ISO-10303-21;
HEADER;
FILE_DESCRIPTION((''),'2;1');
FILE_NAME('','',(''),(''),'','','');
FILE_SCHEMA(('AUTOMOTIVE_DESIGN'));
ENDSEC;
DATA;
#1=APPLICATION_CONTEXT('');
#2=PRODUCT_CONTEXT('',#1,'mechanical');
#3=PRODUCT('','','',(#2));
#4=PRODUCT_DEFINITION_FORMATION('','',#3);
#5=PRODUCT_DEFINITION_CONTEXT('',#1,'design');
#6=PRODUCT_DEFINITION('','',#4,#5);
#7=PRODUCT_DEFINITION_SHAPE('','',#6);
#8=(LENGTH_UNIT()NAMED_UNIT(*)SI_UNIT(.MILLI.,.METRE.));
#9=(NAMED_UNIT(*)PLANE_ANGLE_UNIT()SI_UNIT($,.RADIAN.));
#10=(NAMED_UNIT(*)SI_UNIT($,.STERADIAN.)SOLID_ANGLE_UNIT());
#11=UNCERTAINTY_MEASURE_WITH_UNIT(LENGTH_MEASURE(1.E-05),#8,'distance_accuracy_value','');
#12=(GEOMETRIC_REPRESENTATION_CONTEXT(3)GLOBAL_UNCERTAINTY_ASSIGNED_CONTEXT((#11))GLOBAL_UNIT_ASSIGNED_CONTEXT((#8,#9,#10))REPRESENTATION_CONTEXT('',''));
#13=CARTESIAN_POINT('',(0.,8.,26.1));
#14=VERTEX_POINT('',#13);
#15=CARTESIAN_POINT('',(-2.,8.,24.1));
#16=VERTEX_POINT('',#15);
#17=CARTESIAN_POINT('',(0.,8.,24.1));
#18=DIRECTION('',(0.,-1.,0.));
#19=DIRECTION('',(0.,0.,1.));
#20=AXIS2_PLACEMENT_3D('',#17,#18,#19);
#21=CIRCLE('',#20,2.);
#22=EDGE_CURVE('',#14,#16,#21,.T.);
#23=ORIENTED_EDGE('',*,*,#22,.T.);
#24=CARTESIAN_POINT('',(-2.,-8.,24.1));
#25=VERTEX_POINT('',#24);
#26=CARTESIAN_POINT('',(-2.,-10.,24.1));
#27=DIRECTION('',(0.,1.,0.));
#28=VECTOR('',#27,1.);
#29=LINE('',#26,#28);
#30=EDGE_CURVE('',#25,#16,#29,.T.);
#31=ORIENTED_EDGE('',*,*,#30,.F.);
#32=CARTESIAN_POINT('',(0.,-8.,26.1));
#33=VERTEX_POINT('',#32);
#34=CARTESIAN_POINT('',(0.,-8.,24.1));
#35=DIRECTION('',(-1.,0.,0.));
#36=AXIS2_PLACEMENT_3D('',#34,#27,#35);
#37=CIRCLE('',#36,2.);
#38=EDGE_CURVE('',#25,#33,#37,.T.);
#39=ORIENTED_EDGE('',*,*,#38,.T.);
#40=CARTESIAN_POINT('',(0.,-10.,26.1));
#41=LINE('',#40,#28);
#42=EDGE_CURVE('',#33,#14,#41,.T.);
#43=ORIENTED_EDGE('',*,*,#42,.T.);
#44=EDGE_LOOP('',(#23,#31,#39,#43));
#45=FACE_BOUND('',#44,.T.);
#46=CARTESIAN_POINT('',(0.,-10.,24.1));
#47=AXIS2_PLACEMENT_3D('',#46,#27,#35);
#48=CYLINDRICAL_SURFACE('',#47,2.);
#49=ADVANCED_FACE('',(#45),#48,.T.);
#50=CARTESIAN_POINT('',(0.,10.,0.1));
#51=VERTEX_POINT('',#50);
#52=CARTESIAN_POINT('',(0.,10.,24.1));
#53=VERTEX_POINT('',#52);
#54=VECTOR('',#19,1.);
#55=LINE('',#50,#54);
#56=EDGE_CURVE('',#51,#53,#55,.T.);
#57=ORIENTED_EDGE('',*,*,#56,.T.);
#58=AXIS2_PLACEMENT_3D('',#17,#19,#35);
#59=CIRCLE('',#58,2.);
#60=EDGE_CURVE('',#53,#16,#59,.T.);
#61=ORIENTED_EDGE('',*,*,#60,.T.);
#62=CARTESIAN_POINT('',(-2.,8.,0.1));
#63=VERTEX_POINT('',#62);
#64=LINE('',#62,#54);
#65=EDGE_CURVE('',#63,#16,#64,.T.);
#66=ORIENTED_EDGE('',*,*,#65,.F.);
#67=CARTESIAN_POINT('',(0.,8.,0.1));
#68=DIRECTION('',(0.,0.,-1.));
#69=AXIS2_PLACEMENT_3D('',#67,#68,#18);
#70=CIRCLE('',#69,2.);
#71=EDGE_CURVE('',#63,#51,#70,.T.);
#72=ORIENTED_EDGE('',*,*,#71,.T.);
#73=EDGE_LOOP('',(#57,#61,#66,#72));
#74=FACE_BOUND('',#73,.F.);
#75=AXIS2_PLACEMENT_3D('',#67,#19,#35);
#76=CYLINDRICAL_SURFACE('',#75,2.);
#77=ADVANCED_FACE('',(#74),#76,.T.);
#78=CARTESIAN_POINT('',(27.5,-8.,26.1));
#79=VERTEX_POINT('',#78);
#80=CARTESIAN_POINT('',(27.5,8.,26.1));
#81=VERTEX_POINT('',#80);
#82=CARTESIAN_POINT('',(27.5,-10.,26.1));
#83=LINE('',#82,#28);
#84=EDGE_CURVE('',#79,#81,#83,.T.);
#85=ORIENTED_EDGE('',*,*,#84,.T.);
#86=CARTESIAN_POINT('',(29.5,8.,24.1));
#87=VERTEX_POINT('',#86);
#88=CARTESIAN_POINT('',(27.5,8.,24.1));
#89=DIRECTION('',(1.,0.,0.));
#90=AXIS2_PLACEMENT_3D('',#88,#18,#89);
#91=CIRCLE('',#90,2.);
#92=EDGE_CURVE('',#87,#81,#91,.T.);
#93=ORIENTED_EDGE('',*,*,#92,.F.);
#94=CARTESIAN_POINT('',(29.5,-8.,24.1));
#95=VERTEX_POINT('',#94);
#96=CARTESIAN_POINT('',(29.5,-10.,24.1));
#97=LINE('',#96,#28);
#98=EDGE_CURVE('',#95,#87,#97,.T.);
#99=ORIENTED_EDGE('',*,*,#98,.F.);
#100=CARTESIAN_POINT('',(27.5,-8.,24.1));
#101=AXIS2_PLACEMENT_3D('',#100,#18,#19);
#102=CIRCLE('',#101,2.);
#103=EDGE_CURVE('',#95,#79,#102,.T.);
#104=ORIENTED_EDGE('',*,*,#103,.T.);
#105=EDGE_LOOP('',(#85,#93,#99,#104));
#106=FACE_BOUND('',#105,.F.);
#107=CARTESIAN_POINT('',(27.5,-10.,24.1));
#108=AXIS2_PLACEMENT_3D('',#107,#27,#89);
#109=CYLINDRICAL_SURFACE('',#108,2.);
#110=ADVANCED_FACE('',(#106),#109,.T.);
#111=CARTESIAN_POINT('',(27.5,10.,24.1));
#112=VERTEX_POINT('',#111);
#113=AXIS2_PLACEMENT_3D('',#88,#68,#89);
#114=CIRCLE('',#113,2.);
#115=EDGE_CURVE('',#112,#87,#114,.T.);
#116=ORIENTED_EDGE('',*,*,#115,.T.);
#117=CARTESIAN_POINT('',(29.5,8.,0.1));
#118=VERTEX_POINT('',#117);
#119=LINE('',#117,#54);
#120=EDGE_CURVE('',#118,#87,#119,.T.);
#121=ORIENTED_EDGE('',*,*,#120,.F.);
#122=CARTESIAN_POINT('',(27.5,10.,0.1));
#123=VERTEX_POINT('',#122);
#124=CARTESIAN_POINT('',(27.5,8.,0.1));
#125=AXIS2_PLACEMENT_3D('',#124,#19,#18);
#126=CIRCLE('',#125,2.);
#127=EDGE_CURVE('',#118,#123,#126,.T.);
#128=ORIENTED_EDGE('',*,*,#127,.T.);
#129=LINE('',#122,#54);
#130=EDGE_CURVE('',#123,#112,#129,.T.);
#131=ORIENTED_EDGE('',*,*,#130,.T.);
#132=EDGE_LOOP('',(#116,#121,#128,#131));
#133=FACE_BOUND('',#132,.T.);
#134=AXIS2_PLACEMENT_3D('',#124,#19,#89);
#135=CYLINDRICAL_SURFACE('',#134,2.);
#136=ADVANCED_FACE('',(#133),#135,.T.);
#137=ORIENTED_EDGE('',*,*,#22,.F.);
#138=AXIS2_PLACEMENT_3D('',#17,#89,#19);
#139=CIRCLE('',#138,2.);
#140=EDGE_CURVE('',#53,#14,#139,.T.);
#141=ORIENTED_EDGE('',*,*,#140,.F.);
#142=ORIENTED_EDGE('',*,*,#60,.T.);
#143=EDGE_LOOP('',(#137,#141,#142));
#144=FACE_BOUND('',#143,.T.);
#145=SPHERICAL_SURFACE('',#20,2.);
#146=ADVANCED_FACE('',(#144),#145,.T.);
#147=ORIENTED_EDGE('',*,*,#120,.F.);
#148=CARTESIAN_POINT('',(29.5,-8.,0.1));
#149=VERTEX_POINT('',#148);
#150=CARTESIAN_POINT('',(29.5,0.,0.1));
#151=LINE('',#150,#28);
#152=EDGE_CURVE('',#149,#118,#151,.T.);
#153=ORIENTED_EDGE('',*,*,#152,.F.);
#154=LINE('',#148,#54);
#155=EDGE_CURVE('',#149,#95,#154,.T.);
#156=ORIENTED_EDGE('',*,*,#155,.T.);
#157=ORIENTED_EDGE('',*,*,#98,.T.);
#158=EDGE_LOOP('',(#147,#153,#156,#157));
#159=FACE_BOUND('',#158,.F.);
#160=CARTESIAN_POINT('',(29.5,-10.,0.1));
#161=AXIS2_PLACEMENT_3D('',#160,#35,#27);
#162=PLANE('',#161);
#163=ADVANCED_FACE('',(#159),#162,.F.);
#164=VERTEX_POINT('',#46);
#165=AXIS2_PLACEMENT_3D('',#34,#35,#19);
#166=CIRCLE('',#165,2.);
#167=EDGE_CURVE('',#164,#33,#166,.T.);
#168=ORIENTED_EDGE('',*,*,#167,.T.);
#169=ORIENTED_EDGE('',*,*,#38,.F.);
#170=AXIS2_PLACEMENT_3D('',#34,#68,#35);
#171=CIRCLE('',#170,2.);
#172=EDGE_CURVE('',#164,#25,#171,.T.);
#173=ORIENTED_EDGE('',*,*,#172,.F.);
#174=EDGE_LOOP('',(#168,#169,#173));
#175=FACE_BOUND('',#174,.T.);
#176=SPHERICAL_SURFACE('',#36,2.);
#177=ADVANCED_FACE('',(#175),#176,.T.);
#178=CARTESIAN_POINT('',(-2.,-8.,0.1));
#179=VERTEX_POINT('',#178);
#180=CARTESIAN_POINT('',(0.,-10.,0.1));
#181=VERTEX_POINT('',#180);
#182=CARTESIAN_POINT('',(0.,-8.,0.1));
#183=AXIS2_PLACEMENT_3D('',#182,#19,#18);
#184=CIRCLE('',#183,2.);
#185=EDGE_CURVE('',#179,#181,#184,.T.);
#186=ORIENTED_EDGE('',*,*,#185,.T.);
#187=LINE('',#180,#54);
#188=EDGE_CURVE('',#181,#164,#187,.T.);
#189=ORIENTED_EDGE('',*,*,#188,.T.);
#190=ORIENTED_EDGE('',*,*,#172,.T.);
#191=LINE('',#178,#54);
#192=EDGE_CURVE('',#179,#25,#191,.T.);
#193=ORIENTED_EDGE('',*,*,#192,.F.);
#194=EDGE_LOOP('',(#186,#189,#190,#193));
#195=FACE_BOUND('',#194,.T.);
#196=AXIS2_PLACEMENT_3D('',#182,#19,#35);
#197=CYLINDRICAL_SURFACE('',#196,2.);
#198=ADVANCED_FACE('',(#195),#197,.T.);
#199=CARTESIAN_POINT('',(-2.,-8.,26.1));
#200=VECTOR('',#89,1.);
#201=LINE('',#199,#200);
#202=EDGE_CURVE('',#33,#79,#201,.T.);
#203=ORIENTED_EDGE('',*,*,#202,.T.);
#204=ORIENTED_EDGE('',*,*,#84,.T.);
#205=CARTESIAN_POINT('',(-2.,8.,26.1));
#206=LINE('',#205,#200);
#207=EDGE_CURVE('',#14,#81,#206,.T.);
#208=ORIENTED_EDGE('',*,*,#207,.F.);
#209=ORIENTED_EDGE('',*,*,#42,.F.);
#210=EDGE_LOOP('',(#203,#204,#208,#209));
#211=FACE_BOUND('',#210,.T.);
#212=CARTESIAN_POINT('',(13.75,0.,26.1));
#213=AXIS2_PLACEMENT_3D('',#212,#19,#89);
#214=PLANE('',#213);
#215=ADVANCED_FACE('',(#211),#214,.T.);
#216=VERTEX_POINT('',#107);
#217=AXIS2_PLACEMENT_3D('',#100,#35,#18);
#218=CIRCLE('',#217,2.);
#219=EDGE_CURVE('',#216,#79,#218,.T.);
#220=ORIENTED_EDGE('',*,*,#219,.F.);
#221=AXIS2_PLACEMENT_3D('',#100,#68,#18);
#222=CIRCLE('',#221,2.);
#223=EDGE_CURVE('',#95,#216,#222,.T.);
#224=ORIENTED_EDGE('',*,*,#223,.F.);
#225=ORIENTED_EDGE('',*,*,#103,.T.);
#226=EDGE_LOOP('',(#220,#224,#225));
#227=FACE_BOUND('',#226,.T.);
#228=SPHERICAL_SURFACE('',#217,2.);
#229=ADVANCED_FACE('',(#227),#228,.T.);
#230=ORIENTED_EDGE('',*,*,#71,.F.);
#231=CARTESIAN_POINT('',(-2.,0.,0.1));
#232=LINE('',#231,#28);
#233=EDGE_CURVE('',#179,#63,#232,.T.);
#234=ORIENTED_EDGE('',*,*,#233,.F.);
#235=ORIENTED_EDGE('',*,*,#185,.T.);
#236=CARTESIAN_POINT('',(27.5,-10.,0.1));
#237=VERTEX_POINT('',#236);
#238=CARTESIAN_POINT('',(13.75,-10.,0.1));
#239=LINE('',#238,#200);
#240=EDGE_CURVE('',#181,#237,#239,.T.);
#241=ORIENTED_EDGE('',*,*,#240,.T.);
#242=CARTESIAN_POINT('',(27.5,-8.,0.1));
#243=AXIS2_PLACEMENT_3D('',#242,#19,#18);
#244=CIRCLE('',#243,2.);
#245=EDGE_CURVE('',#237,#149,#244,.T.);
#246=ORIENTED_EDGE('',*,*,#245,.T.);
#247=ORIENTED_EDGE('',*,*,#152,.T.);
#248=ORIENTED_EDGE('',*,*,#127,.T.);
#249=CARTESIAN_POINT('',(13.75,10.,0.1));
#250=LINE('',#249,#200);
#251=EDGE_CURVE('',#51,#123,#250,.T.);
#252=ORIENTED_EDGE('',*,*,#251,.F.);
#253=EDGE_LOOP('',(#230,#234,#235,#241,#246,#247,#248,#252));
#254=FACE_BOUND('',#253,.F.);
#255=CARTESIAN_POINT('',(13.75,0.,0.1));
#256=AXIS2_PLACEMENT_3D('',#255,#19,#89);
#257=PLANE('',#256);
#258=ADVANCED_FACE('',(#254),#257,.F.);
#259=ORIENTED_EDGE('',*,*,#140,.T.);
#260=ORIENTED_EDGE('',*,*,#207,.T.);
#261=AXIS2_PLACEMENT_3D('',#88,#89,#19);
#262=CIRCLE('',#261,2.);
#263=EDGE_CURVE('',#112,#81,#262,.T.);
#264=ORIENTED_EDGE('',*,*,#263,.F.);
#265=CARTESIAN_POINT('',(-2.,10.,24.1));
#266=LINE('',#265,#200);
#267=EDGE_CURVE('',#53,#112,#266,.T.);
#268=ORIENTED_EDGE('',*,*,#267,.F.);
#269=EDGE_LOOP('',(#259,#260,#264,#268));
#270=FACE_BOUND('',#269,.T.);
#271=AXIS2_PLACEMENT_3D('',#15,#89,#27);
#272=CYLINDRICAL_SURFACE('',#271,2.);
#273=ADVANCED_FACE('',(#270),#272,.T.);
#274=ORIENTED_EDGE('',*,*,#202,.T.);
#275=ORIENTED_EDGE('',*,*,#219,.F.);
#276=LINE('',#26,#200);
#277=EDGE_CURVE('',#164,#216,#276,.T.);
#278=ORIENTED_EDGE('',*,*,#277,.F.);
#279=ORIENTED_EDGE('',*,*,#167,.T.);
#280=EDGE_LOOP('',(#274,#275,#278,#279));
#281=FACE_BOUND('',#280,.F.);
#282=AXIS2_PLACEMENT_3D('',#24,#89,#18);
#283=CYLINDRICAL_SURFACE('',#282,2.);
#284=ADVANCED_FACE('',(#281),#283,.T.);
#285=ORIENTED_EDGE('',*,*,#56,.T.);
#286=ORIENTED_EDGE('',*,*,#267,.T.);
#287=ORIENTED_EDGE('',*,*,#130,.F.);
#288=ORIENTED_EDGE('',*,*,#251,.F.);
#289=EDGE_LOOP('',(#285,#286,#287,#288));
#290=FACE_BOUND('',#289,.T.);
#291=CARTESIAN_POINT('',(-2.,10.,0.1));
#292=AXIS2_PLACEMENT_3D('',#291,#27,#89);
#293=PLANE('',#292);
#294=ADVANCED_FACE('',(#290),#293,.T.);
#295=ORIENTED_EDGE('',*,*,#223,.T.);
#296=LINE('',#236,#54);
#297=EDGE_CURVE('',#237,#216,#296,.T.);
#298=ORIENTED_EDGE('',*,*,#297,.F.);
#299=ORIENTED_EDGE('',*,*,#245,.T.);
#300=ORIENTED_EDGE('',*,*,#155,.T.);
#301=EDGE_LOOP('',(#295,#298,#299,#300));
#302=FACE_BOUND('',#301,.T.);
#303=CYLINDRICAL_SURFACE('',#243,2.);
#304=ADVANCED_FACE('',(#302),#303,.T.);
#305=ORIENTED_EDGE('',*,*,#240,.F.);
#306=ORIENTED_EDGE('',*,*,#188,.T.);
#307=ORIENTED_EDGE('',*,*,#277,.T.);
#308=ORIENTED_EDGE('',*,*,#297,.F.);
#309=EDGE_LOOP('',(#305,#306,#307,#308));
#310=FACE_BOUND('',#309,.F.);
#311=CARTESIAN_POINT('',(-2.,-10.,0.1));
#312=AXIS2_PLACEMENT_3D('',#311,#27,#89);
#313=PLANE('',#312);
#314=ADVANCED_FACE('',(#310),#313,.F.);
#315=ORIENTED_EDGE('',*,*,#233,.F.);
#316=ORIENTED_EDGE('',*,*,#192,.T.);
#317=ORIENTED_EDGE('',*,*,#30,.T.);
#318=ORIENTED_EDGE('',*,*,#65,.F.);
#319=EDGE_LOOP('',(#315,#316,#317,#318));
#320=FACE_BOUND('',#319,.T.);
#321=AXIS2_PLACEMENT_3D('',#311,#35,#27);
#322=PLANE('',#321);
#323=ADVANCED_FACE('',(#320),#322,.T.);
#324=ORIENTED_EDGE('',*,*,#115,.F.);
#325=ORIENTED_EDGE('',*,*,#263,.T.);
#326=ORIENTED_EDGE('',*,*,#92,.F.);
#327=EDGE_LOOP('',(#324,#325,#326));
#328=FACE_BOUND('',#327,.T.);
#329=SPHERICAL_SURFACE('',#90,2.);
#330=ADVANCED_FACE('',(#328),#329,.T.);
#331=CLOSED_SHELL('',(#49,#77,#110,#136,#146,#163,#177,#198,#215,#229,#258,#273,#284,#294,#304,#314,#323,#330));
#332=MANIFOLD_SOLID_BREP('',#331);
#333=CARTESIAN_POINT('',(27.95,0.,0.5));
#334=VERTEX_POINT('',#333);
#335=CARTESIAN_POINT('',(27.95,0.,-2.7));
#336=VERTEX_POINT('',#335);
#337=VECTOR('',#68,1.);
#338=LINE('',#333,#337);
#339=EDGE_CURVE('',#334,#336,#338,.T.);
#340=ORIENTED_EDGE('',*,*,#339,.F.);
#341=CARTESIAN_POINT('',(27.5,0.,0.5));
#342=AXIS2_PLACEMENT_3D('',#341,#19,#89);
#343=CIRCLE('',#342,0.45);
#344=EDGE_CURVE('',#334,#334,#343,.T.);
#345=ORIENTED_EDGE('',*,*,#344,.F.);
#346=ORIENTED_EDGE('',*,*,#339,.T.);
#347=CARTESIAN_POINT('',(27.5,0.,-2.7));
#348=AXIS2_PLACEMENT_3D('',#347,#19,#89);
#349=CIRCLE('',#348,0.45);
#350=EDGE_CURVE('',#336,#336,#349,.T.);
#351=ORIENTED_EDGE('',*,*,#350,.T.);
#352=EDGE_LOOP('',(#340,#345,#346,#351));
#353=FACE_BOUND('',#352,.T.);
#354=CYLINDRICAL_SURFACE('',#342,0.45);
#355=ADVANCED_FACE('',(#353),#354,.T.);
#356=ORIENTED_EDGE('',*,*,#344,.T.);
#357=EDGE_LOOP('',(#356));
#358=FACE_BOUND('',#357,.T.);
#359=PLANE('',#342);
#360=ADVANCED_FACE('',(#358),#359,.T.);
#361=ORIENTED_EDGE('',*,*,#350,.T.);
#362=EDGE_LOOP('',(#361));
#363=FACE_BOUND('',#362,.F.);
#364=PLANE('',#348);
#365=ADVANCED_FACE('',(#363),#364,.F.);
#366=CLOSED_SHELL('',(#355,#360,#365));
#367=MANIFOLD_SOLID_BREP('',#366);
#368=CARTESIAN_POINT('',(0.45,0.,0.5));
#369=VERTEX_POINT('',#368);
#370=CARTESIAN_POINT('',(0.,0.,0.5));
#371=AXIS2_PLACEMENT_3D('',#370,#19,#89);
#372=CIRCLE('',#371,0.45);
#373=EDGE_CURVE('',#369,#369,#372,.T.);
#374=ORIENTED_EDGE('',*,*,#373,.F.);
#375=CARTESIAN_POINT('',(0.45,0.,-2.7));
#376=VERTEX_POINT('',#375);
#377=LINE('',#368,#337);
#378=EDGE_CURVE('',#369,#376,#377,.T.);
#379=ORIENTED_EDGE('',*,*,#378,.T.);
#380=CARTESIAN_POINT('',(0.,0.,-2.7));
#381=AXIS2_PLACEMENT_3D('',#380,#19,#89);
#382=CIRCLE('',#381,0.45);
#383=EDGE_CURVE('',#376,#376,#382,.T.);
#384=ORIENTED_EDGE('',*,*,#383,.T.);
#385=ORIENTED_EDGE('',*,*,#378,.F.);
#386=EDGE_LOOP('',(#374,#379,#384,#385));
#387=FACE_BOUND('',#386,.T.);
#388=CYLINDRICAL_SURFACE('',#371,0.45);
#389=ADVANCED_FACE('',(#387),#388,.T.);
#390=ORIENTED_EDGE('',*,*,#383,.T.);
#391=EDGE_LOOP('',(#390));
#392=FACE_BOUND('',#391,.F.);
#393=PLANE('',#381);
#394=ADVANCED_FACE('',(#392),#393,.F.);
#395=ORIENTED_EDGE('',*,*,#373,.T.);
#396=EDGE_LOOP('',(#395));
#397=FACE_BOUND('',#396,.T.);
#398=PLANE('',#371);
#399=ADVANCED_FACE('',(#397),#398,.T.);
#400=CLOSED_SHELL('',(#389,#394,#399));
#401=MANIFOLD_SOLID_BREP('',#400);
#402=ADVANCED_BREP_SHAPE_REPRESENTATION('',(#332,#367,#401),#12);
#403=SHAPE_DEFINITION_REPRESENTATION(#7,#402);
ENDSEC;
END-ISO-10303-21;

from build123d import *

# Parameters (mm, degrees)
SKETCH_W     = 31.5
SKETCH_H     = 20
PAD_DEPTH    = 26
FILLET_R     = 2
SKETCH001_R  = 0.45
PAD001_DEPTH = 3.2


with BuildPart() as fillet_body:
    # Sketch → Pad (new body)
    with BuildSketch(Plane.XY.offset(0.1)):
        with Locations((13.75, 0)):
            Rectangle(SKETCH_W, SKETCH_H)
    extrude(amount=PAD_DEPTH)

    # Fillet
    fillet_edges = [fillet_body.edges().sort_by_distance(p)[0] for p in [
        (-2, 0, 26.1),
        (-2, -10, 13.1),
        (13.75, -10, 26.1),
        (29.5, -10, 13.1),
        (29.5, 0, 26.1),
        (29.5, 10, 13.1),
        (13.75, 10, 26.1),
        (-2, 10, 13.1),
    ]]
    fillet(fillet_edges, radius=FILLET_R)


with BuildPart() as pad001:
    # Sketch001 → Pad001 (new body)
    with BuildSketch(Plane.XY.offset(0.5)):
        Circle(SKETCH001_R)
        with Locations((27.5, 0)):
            Circle(SKETCH001_R)
    extrude(amount=-PAD001_DEPTH)


solid = Compound([fillet_body.part, pad001.part])
